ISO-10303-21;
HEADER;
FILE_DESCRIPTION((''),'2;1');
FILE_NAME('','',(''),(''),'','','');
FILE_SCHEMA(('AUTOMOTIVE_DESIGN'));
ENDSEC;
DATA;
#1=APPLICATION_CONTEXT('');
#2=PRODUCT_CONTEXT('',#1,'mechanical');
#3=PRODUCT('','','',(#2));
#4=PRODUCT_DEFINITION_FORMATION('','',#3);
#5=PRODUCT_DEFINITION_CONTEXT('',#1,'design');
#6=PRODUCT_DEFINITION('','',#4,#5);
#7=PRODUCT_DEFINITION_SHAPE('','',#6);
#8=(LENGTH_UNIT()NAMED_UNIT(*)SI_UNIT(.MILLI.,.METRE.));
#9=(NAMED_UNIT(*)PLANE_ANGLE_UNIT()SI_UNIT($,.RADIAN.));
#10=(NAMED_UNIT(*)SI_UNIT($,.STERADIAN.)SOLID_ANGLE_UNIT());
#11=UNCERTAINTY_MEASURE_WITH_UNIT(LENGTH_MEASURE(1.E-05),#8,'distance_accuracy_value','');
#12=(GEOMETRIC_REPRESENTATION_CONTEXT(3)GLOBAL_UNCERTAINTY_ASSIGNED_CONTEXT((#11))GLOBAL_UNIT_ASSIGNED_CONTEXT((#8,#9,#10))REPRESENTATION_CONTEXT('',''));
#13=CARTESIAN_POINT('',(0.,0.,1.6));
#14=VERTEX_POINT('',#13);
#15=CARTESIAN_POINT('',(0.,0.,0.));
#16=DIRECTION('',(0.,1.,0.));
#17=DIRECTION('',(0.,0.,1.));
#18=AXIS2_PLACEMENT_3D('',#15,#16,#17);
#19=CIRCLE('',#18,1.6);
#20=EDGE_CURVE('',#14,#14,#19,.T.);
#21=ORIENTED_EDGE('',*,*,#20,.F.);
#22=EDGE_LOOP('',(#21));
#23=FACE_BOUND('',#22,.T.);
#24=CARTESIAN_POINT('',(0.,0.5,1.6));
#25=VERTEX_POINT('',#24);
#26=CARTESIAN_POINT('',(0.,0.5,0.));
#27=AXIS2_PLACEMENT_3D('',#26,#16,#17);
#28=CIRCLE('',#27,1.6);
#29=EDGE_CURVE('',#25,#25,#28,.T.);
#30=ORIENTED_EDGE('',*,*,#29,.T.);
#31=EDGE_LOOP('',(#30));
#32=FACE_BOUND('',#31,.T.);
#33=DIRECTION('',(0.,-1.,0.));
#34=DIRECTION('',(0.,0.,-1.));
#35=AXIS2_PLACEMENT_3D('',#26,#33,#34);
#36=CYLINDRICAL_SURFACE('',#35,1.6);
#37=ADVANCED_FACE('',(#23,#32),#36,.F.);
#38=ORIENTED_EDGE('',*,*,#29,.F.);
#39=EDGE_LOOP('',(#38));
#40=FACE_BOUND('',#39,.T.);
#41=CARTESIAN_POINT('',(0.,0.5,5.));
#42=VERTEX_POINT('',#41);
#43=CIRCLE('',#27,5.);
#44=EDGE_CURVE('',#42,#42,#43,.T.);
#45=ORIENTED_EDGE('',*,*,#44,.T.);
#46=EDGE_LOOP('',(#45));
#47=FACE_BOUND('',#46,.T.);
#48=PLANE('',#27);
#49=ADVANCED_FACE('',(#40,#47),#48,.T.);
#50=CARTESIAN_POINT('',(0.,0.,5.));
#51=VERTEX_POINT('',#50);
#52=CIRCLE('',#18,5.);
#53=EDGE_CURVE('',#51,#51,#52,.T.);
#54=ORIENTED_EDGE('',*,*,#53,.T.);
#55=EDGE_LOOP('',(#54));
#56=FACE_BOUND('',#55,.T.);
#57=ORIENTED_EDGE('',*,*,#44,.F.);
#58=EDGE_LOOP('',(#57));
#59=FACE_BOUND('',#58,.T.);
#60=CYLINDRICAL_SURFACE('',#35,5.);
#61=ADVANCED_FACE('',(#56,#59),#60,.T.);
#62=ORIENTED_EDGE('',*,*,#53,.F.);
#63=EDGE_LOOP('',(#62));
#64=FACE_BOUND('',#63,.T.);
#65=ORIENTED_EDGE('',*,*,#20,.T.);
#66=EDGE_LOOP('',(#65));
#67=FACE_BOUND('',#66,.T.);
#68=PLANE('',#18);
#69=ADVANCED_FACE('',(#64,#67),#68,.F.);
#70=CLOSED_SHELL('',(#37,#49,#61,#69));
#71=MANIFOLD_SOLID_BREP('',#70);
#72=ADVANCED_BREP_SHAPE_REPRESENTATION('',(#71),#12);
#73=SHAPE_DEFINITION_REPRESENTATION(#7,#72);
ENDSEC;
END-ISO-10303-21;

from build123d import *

# Parameters (mm, degrees)
SKIZZE1_R                       = 5
SKIZZE1_R_2                     = 1.6
AUFSATZ_LINEAR_AUSTRAGEN1_DEPTH = 0.5


with BuildPart() as part:
    # Skizze1 → Aufsatz-Linear austragen1 (new body)
    with BuildSketch(Plane(origin=(0, 0, 0), x_dir=(1, 0, 0), z_dir=(0, 1, 0))):
        with Locations(Location((0, 0, 0), (0, 0, 270))):
            Circle(SKIZZE1_R)
        with Locations(Location((0, 0, 0), (0, 0, 270))):
            Circle(SKIZZE1_R_2, mode=Mode.SUBTRACT)
    extrude(amount=AUFSATZ_LINEAR_AUSTRAGEN1_DEPTH)


solid = part.part
